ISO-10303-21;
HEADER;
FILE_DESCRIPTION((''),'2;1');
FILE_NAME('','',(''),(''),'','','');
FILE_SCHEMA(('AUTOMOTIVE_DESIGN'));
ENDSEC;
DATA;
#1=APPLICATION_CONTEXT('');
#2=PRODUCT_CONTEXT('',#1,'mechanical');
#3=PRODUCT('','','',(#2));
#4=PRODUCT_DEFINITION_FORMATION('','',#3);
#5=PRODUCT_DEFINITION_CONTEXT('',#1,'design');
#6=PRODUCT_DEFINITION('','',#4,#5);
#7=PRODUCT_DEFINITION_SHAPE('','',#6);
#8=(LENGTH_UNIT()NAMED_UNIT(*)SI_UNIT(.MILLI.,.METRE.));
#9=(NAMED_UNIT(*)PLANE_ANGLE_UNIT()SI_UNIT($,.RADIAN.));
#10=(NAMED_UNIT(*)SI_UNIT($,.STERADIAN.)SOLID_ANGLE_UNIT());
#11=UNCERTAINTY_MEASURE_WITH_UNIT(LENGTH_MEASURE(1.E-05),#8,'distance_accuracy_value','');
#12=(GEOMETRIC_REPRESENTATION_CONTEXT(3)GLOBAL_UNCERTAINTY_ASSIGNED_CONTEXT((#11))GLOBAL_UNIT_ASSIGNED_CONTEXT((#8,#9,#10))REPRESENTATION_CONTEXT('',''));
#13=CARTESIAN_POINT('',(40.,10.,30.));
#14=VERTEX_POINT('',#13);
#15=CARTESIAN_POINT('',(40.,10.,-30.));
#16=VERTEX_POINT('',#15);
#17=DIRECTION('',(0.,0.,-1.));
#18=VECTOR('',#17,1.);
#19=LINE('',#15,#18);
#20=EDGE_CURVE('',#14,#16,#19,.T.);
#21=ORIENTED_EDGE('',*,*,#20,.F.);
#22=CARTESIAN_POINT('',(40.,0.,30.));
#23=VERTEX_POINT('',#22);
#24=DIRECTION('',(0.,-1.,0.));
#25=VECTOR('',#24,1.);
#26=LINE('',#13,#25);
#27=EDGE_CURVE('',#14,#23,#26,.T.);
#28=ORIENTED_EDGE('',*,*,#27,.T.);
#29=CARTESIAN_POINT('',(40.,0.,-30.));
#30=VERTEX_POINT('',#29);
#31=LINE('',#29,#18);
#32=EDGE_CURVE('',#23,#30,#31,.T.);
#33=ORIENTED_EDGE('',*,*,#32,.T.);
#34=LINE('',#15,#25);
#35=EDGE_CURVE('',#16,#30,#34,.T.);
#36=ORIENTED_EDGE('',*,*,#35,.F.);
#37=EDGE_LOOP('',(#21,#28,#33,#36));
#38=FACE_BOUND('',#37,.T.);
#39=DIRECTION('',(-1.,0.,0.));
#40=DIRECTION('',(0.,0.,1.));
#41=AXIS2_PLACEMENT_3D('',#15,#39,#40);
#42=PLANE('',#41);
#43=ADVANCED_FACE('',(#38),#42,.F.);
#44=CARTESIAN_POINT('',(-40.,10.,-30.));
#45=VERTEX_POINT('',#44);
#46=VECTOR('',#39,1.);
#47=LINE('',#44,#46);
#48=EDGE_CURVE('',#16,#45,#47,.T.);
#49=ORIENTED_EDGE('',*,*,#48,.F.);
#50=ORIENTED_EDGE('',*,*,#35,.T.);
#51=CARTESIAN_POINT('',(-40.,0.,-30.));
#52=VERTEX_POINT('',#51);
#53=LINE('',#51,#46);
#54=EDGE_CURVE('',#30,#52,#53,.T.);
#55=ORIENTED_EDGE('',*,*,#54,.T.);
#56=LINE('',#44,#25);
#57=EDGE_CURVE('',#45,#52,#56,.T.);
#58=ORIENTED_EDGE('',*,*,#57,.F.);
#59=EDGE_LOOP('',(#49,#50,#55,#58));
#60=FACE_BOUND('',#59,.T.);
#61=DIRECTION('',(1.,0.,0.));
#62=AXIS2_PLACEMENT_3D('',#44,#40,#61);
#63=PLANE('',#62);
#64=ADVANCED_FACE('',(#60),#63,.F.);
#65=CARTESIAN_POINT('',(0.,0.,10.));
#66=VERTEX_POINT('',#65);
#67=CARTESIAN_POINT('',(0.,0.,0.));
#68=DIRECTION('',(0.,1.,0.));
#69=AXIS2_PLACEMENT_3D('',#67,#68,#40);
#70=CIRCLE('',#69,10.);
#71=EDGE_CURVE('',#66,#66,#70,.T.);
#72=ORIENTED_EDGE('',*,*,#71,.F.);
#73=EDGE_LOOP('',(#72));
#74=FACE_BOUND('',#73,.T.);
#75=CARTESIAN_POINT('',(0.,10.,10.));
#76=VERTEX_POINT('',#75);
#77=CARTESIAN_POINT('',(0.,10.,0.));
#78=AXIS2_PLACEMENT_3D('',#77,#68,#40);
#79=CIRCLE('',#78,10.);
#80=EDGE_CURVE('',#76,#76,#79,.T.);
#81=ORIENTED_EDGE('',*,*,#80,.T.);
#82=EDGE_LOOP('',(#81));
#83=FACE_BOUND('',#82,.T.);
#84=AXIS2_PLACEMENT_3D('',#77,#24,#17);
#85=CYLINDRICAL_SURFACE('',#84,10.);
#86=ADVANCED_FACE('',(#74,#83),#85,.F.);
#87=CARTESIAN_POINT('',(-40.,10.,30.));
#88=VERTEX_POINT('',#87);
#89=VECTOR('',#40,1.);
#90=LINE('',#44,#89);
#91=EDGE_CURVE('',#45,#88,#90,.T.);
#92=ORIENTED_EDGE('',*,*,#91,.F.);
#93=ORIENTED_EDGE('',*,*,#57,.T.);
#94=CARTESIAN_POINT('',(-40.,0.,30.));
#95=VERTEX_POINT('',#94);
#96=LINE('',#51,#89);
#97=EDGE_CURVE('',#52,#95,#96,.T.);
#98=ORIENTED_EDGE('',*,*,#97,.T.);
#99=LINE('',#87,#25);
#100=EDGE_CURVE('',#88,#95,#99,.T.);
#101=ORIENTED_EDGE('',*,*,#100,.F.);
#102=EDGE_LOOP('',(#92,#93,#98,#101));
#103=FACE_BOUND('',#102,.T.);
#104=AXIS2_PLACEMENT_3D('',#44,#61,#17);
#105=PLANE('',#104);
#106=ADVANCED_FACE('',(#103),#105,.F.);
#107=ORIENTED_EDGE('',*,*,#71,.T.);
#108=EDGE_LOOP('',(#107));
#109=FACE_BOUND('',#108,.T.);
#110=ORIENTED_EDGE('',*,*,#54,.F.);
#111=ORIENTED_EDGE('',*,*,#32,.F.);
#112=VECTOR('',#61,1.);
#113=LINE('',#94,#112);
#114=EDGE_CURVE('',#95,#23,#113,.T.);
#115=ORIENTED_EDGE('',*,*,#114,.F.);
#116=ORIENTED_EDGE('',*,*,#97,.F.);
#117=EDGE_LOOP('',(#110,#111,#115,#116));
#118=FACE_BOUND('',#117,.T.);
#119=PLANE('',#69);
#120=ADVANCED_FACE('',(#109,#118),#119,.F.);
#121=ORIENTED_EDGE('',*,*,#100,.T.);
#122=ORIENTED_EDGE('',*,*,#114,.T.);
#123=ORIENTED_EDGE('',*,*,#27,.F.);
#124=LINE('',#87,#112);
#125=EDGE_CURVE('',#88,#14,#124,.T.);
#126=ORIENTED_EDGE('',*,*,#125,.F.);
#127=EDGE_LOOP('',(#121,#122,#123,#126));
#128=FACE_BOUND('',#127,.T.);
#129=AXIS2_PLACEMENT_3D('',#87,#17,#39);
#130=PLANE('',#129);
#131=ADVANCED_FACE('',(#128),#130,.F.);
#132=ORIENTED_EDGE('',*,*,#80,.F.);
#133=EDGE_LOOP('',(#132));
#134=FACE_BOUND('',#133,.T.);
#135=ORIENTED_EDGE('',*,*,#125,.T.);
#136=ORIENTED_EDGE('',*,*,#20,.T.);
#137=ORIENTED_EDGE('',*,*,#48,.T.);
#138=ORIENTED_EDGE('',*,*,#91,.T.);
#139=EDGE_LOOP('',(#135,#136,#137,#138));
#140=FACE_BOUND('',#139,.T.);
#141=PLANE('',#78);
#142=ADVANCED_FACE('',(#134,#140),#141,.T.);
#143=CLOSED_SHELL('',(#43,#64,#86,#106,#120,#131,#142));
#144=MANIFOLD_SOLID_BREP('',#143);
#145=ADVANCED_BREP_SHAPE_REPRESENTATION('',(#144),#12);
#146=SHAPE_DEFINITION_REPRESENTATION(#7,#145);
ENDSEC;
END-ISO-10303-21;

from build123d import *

# Parameters (mm, degrees)
SKETCH1_W           = 80
SKETCH1_H           = 60
SKETCH1_R           = 10
BOSS_EXTRUDE1_DEPTH = 10


with BuildPart() as part:
    # Sketch1 → Boss-Extrude1 (new body)
    with BuildSketch(Plane(origin=(0, 0, 0), x_dir=(1, 0, 0), z_dir=(0, 1, 0))):
        Rectangle(SKETCH1_W, SKETCH1_H)
        with Locations(Location((0, 0, 0), (0, 0, 270))):
            Circle(SKETCH1_R, mode=Mode.SUBTRACT)
    extrude(amount=BOSS_EXTRUDE1_DEPTH)


solid = part.part
